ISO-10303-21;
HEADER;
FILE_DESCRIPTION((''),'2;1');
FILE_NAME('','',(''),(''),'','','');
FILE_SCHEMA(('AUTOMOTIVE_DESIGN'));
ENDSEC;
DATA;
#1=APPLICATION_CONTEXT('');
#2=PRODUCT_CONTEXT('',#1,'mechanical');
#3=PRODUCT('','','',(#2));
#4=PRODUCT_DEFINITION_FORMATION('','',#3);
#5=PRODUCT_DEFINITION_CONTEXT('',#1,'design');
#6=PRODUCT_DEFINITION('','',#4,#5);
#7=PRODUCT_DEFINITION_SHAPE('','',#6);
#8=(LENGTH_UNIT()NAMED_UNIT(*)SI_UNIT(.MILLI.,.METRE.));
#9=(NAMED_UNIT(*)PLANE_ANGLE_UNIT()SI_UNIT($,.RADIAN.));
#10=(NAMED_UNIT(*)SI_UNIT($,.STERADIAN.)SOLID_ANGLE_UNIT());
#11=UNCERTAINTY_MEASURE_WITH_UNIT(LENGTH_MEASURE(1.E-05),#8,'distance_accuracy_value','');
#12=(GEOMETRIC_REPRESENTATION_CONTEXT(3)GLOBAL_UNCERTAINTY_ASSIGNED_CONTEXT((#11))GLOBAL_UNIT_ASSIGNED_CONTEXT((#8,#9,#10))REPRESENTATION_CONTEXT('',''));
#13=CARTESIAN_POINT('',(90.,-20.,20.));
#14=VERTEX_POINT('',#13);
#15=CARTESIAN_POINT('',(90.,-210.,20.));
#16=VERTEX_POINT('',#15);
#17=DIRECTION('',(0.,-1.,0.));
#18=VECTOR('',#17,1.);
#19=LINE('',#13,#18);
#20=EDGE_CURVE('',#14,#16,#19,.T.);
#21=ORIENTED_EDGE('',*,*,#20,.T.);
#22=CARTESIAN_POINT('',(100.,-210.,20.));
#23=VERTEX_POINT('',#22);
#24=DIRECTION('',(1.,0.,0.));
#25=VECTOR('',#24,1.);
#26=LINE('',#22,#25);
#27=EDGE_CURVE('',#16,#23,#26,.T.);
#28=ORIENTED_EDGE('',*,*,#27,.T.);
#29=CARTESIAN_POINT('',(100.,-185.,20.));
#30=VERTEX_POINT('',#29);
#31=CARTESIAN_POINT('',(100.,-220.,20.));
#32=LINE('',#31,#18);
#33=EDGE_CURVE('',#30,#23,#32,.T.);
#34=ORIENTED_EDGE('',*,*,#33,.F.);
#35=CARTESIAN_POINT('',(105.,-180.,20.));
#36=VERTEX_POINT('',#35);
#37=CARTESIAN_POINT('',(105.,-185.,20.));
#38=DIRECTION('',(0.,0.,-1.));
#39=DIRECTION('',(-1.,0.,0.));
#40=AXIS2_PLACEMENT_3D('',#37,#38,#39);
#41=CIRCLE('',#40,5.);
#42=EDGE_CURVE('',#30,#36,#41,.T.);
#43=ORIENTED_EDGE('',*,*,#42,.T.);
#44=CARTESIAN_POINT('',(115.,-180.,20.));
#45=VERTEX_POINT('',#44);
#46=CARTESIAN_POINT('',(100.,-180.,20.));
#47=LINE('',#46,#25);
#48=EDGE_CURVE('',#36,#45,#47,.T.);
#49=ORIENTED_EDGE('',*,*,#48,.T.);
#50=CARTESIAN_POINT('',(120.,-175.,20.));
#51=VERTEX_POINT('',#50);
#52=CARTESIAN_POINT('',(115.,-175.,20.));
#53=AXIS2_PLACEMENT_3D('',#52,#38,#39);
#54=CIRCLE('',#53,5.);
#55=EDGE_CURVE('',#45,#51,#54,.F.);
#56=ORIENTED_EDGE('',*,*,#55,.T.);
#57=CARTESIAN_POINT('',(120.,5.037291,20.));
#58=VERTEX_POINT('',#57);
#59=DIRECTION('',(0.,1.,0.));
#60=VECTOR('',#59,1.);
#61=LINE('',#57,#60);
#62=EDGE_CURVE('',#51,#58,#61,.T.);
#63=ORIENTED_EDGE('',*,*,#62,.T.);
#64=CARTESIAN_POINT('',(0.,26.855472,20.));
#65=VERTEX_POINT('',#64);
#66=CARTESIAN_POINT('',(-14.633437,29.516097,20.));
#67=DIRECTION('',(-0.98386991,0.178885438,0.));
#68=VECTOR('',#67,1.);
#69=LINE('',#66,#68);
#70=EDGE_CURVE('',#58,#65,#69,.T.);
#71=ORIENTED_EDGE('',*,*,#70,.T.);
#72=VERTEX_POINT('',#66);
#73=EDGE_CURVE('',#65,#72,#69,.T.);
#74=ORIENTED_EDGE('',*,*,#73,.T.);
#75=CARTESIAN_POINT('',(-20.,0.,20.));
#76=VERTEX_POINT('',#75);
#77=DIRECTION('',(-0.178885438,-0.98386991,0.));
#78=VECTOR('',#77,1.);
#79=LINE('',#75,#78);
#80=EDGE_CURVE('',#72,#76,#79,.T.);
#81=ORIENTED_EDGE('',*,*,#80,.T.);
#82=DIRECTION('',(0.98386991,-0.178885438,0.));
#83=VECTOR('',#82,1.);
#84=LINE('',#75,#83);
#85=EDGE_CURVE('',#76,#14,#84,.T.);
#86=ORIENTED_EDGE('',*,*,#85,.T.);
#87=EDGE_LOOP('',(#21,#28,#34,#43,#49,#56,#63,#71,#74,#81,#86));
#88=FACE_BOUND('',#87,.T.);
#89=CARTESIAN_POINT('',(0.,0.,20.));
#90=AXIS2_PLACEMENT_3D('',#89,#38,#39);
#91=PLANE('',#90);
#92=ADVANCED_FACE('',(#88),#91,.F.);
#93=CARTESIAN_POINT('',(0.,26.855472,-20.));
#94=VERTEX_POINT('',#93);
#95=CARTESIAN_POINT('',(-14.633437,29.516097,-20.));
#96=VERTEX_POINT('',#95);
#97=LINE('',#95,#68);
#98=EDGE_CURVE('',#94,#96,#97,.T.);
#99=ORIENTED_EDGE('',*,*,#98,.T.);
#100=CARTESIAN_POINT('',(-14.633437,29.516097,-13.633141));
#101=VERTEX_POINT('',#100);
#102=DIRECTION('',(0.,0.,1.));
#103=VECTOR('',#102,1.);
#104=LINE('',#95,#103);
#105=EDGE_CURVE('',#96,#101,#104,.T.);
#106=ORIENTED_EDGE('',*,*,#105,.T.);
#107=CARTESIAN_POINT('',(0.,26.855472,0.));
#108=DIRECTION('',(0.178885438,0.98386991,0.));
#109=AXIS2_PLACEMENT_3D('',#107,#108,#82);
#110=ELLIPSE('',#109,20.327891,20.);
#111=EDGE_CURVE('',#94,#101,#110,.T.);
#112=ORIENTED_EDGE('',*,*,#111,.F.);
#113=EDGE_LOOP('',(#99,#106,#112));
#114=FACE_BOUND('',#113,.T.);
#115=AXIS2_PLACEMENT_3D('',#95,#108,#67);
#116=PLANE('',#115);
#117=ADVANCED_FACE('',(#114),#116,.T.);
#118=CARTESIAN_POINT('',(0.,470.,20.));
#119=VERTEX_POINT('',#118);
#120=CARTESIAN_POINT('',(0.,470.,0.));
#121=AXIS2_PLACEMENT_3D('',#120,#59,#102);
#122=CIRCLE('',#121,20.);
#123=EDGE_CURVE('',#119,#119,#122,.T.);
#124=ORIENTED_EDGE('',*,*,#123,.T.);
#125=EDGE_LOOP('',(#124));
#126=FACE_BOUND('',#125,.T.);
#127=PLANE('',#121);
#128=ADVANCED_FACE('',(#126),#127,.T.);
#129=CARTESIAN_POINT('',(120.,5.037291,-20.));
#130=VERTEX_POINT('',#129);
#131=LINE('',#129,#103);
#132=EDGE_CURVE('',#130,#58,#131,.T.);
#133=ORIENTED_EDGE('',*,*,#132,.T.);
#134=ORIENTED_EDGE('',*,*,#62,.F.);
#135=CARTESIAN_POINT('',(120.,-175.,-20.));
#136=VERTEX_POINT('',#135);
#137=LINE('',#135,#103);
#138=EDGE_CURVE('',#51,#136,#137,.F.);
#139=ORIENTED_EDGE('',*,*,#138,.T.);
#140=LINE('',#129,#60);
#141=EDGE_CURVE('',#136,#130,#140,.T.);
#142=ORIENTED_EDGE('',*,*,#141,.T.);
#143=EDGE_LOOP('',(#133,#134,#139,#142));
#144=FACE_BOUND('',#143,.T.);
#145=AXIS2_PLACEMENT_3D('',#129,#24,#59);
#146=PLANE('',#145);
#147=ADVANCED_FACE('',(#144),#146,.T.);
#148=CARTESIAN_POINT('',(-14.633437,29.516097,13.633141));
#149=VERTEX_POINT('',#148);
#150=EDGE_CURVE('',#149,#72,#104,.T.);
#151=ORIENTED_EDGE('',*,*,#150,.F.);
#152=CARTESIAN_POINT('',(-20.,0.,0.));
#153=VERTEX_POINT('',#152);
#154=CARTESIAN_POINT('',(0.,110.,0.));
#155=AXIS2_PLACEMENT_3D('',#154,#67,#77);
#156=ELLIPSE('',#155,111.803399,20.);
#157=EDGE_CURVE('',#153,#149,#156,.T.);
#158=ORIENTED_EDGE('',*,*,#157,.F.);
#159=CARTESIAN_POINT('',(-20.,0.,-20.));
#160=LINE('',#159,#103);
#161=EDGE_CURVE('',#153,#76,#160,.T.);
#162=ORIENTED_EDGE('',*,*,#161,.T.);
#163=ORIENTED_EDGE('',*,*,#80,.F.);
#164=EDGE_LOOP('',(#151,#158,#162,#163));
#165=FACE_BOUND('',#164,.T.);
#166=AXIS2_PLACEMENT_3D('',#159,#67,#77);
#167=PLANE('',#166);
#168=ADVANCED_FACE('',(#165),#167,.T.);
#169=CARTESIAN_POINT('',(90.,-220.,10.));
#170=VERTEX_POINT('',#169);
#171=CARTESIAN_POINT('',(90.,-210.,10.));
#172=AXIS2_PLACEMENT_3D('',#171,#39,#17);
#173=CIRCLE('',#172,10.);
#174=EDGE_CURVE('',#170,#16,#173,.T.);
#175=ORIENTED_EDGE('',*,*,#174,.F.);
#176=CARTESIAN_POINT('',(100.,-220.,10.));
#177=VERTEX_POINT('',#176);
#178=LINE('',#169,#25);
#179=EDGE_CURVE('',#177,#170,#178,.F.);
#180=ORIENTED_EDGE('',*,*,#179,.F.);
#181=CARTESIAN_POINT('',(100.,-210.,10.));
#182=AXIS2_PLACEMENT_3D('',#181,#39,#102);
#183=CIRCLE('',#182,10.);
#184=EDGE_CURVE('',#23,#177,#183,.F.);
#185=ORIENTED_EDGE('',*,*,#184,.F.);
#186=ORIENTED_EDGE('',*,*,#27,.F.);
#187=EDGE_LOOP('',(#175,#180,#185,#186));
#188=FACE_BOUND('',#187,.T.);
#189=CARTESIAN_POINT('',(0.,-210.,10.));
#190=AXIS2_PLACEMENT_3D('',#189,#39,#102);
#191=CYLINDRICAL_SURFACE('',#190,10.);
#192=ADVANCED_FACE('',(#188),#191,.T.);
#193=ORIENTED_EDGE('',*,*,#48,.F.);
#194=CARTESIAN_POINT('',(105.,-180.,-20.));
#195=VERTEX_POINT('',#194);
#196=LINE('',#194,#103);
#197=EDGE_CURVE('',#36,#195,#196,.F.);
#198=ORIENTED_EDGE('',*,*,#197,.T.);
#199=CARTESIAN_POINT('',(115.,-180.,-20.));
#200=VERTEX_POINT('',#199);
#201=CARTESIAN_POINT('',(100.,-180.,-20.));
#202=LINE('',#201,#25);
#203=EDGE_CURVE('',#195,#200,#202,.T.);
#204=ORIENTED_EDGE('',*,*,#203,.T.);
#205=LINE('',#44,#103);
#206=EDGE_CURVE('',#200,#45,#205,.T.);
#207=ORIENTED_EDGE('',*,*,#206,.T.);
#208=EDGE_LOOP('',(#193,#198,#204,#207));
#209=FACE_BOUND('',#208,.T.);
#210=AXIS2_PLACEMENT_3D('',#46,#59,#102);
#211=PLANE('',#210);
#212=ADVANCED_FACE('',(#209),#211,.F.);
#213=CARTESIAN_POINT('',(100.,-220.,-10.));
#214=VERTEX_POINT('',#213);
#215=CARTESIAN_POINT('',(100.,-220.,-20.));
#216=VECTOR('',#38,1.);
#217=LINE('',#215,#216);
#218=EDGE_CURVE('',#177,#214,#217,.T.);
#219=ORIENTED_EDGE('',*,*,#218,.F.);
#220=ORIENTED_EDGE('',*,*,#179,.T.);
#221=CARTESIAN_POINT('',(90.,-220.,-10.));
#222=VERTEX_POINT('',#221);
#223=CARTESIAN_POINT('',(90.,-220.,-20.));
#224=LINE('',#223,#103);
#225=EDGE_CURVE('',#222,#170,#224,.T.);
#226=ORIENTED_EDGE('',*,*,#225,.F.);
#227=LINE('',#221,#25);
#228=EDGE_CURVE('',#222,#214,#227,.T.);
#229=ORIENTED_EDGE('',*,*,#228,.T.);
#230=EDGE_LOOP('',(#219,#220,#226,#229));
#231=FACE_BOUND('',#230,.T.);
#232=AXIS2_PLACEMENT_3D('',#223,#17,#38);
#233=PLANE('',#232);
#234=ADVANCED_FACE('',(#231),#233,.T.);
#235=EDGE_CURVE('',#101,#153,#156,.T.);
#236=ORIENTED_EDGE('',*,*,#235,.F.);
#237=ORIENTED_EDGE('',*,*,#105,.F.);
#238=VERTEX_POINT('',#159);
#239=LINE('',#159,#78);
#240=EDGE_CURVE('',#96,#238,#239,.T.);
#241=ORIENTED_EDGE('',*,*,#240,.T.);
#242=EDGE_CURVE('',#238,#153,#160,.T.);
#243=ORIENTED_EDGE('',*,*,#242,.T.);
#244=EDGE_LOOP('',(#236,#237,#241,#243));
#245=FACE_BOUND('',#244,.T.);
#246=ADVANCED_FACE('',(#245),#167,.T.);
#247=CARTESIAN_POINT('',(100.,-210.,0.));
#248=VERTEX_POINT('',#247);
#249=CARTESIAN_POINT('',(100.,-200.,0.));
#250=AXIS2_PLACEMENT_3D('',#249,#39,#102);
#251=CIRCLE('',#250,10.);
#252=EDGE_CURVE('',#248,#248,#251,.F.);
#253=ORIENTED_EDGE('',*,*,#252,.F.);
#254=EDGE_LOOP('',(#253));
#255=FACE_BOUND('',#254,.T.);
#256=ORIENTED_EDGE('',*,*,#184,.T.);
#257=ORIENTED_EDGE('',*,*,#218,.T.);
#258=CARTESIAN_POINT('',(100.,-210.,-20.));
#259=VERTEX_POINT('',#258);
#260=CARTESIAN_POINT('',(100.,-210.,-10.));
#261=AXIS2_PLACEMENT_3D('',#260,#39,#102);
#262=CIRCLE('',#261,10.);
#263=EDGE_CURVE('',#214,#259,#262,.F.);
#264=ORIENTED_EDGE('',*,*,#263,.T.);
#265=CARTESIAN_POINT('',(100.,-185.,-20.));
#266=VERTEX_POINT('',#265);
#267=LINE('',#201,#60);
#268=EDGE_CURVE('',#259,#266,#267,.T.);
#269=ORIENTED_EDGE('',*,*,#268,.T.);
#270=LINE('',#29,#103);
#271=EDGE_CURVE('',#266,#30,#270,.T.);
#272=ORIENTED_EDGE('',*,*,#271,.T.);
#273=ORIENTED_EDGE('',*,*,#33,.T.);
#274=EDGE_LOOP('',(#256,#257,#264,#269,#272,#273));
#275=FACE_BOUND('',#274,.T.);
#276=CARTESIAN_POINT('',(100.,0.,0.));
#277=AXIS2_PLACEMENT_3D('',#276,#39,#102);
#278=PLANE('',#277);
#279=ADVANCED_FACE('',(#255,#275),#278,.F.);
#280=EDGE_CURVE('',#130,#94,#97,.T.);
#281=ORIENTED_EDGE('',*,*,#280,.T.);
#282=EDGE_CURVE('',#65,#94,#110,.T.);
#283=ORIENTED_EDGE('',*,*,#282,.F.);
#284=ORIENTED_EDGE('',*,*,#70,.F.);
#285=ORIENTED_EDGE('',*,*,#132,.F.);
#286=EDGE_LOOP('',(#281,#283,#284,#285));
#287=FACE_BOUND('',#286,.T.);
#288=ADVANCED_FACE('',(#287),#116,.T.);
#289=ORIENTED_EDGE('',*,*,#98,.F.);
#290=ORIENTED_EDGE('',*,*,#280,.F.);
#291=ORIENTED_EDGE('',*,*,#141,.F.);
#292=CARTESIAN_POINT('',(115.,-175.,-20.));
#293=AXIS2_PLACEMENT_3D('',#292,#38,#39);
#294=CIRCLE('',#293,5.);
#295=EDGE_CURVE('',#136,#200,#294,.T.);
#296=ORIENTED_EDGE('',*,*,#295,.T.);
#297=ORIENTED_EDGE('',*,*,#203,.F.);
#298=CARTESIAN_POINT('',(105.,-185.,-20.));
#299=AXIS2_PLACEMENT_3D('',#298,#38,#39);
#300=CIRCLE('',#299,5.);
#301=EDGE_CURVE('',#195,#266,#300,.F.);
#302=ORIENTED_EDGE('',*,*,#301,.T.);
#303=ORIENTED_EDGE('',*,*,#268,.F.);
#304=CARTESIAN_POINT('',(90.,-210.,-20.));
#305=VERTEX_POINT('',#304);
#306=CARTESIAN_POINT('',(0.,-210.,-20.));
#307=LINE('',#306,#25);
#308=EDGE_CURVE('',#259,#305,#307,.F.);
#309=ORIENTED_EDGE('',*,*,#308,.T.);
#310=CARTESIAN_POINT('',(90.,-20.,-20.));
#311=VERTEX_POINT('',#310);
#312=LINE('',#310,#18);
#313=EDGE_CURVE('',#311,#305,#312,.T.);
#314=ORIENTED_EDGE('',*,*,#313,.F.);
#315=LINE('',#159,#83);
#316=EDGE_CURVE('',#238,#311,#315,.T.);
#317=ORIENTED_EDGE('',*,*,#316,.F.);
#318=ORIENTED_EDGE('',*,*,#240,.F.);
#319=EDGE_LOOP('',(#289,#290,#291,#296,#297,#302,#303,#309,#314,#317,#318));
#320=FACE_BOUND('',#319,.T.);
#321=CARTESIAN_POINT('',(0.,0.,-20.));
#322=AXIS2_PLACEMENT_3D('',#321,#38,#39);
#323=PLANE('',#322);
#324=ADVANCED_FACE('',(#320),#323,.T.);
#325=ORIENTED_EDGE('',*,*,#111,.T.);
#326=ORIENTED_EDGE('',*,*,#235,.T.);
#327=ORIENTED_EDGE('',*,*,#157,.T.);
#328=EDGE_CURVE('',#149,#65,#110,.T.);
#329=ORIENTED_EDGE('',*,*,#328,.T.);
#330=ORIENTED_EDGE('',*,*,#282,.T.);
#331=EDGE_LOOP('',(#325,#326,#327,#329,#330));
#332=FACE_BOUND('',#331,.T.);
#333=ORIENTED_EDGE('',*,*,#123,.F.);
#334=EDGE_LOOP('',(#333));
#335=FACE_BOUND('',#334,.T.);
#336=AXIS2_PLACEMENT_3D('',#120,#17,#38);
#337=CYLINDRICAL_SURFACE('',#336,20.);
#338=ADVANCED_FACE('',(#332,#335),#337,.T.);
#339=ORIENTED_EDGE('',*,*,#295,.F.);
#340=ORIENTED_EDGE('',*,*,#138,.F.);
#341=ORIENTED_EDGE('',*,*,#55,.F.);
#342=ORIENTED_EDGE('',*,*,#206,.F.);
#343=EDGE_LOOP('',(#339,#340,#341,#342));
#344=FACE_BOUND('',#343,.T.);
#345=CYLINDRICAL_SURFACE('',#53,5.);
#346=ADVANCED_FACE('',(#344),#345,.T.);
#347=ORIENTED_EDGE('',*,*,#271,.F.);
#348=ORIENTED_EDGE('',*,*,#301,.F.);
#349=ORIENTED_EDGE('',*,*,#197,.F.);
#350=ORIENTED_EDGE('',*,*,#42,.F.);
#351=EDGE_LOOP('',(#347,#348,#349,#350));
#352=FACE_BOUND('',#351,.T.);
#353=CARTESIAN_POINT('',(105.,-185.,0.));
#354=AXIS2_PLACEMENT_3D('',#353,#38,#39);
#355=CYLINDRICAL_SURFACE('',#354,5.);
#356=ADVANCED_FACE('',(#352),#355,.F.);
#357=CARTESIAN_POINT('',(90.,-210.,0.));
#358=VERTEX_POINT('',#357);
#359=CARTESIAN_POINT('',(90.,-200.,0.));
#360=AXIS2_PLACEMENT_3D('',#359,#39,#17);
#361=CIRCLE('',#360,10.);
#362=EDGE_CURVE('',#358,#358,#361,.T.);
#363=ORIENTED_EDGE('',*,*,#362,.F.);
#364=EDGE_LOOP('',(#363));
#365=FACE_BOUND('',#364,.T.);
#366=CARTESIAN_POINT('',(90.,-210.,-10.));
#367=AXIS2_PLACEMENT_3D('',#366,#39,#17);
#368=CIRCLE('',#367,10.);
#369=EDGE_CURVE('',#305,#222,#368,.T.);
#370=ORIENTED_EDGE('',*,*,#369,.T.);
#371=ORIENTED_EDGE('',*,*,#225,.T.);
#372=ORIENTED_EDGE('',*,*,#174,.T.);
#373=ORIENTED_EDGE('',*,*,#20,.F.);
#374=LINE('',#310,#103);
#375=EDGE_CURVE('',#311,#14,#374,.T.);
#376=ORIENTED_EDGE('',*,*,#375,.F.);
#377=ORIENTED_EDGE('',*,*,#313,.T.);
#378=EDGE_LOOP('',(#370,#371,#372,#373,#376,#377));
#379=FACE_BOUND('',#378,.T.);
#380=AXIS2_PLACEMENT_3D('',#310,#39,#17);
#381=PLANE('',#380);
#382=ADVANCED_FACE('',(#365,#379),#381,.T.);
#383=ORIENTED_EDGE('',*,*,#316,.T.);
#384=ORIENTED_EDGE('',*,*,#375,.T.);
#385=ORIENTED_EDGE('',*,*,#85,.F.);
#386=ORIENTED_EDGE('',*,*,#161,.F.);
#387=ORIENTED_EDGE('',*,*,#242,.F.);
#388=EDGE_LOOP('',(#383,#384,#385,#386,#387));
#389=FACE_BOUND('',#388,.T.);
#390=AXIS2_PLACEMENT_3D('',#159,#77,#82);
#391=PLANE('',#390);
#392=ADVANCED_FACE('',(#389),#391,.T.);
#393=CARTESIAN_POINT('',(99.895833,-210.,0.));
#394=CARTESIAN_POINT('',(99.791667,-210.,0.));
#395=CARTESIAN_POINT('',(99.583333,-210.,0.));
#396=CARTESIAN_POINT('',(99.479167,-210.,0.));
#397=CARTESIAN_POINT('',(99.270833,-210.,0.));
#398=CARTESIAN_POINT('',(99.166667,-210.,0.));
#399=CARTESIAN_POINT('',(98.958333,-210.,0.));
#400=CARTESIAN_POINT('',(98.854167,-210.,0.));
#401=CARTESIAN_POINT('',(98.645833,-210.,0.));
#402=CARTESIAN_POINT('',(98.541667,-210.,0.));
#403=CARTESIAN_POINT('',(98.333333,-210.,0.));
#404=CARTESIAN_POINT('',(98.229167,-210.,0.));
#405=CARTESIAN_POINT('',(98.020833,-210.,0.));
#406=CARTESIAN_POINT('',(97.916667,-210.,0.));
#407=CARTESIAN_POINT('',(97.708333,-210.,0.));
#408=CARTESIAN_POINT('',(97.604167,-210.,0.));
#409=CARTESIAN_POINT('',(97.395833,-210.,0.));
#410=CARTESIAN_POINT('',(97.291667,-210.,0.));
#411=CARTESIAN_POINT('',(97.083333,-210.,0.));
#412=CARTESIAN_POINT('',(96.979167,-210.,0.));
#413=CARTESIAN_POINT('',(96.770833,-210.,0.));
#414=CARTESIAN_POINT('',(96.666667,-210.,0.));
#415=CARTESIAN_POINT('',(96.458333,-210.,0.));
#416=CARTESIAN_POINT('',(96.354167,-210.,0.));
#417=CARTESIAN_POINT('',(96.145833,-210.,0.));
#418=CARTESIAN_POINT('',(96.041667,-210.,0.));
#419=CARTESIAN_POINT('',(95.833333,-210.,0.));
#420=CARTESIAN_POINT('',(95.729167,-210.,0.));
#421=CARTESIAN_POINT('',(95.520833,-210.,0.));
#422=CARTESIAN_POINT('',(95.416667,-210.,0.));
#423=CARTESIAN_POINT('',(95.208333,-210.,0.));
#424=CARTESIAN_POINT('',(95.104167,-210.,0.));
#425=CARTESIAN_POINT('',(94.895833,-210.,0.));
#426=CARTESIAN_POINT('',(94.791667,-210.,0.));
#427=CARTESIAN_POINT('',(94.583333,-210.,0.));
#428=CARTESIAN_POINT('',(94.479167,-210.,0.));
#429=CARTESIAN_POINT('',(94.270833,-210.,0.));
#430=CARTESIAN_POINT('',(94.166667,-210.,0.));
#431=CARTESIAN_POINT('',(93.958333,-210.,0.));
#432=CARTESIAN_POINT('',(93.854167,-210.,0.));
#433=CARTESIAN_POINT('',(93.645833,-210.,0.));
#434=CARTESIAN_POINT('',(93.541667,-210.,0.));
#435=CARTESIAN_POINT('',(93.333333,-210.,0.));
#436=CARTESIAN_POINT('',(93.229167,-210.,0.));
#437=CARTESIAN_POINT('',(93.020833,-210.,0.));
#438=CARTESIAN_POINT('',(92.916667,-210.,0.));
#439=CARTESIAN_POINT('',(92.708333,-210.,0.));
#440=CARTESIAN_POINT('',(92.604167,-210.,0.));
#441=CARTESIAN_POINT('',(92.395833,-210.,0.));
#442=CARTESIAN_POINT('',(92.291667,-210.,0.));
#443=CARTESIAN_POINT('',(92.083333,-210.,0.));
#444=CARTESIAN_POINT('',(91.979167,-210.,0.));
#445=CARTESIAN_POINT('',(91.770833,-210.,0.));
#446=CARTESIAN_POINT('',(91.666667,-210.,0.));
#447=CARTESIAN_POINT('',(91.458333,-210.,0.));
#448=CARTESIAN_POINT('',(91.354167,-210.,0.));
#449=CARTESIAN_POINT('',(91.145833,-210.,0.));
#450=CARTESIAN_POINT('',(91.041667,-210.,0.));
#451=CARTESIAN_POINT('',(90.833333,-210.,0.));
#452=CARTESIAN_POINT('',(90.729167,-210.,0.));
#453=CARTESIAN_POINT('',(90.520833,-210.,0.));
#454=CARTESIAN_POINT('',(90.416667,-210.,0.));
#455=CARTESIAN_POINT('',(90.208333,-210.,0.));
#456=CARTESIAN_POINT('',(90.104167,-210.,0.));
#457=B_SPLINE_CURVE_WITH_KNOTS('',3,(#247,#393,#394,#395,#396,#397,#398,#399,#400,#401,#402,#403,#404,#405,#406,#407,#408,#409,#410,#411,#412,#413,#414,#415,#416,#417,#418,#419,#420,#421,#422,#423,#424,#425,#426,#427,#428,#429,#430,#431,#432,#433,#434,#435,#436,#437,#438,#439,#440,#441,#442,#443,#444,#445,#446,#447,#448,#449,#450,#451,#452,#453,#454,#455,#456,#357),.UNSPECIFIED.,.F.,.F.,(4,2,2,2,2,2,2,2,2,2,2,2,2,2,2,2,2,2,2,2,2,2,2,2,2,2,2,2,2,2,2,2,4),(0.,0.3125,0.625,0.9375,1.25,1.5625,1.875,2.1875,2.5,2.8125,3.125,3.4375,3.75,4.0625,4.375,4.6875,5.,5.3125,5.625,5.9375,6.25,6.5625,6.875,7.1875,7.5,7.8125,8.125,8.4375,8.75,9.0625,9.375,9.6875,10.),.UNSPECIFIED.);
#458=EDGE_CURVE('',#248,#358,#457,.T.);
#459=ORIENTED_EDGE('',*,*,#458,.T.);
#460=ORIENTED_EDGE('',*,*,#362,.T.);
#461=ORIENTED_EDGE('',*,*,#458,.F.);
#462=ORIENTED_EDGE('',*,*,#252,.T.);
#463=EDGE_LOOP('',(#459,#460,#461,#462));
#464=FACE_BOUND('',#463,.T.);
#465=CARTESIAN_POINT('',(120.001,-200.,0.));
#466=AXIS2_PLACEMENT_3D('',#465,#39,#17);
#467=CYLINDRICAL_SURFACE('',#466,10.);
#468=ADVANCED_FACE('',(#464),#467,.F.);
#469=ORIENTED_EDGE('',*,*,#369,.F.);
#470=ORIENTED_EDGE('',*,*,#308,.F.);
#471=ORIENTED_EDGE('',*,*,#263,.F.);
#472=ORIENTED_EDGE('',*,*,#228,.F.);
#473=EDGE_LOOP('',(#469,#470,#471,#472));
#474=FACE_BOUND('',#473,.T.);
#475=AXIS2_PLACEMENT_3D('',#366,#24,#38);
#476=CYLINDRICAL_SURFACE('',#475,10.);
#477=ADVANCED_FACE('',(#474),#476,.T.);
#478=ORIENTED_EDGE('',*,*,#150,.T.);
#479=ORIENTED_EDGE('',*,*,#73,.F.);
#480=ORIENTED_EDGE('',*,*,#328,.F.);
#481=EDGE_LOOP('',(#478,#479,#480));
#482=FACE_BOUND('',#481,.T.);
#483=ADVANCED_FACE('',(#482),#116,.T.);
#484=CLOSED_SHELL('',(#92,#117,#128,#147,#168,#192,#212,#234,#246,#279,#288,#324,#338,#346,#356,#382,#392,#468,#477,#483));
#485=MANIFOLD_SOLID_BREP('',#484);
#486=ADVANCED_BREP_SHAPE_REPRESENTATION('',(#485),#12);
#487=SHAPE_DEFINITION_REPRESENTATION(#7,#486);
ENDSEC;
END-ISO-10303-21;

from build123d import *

# Parameters (mm, degrees)
SZKIC1_R                         = 20
DODANIE_WYCI_GNI_CIE1_DEPTH      = 470
DODANIE_WYCI_GNI_CIE2_DEPTH      = 20
DODANIE_WYCI_GNI_CIE2_DEPTH_BACK = 20
WYTNIJ_WYCI_GNI_CIE1_REACH       = 485.115
SZKIC3_R                         = 10
SZKIC4_W                         = 40
SZKIC4_H                         = 40
WYTNIJ_WYCI_GNI_CIE2_DEPTH       = 20
ZAOKR_GLENIE1_R                  = 5
ZAOKR_GLENIE2_R                  = 10


with BuildPart() as part:
    # Szkic1 → Dodanie-wyciągnięcie1 (new body)
    with BuildSketch(Plane(origin=(0, 0, 0), x_dir=(1, 0, 0), z_dir=(0, 1, 0))):
        with Locations(Location((0, 0, 0), (0, 0, 90))):
            Circle(SZKIC1_R)
    extrude(amount=DODANIE_WYCI_GNI_CIE1_DEPTH)

    # Szkic2 → Dodanie-wyciągnięcie2 (add, two sides: drawn at the far end of the back side and taken through both)
    with BuildSketch(Plane.XY.offset(-DODANIE_WYCI_GNI_CIE2_DEPTH_BACK)):
        Polygon((-20, 0), (90, -20), (90, -220), (120, -220), (120, 5.037290602), (-14.633436854, 29.516097303), align=None)
    extrude(amount=DODANIE_WYCI_GNI_CIE2_DEPTH + DODANIE_WYCI_GNI_CIE2_DEPTH_BACK)

    # Szkic3 → Wytnij-wyciągnięcie1 (cut, up to next)
    with BuildSketch(Plane.ZY.offset(-90), mode=Mode.PRIVATE) as wytnij_wyci_gni_cie1_sk1:
        with Locations(Location((0, -200, 0), (0, 0, 270))):
            Circle(SZKIC3_R)
    wytnij_wyci_gni_cie1_tool1 = extrude(wytnij_wyci_gni_cie1_sk1.sketch, amount=-WYTNIJ_WYCI_GNI_CIE1_REACH, mode=Mode.PRIVATE) & part.part
    add(wytnij_wyci_gni_cie1_tool1.solids().sort_by_distance((90, -200, 0))[0], mode=Mode.SUBTRACT)

    # Szkic4 → Wytnij-wyciągnięcie2 (cut)
    with BuildSketch(Plane(origin=(120, 0, 0), x_dir=(0, 0, -1), z_dir=(1, 0, 0))):
        with Locations((0, -200)):
            Rectangle(SZKIC4_W, SZKIC4_H)
    extrude(amount=-WYTNIJ_WYCI_GNI_CIE2_DEPTH, mode=Mode.SUBTRACT)

    # Zaokrąglenie1
    zaokr_glenie1_edges = [part.edges().sort_by_distance(p)[0] for p in [
        (120, -180, 0),
        (100, -180, 0),
    ]]
    fillet(zaokr_glenie1_edges, radius=ZAOKR_GLENIE1_R)

    # Zaokrąglenie2
    zaokr_glenie2_edges = [part.edges().sort_by_distance(p)[0] for p in [
        (95, -220, -20),
        (95, -220, 20),
    ]]
    fillet(zaokr_glenie2_edges, radius=ZAOKR_GLENIE2_R)


solid = part.part
